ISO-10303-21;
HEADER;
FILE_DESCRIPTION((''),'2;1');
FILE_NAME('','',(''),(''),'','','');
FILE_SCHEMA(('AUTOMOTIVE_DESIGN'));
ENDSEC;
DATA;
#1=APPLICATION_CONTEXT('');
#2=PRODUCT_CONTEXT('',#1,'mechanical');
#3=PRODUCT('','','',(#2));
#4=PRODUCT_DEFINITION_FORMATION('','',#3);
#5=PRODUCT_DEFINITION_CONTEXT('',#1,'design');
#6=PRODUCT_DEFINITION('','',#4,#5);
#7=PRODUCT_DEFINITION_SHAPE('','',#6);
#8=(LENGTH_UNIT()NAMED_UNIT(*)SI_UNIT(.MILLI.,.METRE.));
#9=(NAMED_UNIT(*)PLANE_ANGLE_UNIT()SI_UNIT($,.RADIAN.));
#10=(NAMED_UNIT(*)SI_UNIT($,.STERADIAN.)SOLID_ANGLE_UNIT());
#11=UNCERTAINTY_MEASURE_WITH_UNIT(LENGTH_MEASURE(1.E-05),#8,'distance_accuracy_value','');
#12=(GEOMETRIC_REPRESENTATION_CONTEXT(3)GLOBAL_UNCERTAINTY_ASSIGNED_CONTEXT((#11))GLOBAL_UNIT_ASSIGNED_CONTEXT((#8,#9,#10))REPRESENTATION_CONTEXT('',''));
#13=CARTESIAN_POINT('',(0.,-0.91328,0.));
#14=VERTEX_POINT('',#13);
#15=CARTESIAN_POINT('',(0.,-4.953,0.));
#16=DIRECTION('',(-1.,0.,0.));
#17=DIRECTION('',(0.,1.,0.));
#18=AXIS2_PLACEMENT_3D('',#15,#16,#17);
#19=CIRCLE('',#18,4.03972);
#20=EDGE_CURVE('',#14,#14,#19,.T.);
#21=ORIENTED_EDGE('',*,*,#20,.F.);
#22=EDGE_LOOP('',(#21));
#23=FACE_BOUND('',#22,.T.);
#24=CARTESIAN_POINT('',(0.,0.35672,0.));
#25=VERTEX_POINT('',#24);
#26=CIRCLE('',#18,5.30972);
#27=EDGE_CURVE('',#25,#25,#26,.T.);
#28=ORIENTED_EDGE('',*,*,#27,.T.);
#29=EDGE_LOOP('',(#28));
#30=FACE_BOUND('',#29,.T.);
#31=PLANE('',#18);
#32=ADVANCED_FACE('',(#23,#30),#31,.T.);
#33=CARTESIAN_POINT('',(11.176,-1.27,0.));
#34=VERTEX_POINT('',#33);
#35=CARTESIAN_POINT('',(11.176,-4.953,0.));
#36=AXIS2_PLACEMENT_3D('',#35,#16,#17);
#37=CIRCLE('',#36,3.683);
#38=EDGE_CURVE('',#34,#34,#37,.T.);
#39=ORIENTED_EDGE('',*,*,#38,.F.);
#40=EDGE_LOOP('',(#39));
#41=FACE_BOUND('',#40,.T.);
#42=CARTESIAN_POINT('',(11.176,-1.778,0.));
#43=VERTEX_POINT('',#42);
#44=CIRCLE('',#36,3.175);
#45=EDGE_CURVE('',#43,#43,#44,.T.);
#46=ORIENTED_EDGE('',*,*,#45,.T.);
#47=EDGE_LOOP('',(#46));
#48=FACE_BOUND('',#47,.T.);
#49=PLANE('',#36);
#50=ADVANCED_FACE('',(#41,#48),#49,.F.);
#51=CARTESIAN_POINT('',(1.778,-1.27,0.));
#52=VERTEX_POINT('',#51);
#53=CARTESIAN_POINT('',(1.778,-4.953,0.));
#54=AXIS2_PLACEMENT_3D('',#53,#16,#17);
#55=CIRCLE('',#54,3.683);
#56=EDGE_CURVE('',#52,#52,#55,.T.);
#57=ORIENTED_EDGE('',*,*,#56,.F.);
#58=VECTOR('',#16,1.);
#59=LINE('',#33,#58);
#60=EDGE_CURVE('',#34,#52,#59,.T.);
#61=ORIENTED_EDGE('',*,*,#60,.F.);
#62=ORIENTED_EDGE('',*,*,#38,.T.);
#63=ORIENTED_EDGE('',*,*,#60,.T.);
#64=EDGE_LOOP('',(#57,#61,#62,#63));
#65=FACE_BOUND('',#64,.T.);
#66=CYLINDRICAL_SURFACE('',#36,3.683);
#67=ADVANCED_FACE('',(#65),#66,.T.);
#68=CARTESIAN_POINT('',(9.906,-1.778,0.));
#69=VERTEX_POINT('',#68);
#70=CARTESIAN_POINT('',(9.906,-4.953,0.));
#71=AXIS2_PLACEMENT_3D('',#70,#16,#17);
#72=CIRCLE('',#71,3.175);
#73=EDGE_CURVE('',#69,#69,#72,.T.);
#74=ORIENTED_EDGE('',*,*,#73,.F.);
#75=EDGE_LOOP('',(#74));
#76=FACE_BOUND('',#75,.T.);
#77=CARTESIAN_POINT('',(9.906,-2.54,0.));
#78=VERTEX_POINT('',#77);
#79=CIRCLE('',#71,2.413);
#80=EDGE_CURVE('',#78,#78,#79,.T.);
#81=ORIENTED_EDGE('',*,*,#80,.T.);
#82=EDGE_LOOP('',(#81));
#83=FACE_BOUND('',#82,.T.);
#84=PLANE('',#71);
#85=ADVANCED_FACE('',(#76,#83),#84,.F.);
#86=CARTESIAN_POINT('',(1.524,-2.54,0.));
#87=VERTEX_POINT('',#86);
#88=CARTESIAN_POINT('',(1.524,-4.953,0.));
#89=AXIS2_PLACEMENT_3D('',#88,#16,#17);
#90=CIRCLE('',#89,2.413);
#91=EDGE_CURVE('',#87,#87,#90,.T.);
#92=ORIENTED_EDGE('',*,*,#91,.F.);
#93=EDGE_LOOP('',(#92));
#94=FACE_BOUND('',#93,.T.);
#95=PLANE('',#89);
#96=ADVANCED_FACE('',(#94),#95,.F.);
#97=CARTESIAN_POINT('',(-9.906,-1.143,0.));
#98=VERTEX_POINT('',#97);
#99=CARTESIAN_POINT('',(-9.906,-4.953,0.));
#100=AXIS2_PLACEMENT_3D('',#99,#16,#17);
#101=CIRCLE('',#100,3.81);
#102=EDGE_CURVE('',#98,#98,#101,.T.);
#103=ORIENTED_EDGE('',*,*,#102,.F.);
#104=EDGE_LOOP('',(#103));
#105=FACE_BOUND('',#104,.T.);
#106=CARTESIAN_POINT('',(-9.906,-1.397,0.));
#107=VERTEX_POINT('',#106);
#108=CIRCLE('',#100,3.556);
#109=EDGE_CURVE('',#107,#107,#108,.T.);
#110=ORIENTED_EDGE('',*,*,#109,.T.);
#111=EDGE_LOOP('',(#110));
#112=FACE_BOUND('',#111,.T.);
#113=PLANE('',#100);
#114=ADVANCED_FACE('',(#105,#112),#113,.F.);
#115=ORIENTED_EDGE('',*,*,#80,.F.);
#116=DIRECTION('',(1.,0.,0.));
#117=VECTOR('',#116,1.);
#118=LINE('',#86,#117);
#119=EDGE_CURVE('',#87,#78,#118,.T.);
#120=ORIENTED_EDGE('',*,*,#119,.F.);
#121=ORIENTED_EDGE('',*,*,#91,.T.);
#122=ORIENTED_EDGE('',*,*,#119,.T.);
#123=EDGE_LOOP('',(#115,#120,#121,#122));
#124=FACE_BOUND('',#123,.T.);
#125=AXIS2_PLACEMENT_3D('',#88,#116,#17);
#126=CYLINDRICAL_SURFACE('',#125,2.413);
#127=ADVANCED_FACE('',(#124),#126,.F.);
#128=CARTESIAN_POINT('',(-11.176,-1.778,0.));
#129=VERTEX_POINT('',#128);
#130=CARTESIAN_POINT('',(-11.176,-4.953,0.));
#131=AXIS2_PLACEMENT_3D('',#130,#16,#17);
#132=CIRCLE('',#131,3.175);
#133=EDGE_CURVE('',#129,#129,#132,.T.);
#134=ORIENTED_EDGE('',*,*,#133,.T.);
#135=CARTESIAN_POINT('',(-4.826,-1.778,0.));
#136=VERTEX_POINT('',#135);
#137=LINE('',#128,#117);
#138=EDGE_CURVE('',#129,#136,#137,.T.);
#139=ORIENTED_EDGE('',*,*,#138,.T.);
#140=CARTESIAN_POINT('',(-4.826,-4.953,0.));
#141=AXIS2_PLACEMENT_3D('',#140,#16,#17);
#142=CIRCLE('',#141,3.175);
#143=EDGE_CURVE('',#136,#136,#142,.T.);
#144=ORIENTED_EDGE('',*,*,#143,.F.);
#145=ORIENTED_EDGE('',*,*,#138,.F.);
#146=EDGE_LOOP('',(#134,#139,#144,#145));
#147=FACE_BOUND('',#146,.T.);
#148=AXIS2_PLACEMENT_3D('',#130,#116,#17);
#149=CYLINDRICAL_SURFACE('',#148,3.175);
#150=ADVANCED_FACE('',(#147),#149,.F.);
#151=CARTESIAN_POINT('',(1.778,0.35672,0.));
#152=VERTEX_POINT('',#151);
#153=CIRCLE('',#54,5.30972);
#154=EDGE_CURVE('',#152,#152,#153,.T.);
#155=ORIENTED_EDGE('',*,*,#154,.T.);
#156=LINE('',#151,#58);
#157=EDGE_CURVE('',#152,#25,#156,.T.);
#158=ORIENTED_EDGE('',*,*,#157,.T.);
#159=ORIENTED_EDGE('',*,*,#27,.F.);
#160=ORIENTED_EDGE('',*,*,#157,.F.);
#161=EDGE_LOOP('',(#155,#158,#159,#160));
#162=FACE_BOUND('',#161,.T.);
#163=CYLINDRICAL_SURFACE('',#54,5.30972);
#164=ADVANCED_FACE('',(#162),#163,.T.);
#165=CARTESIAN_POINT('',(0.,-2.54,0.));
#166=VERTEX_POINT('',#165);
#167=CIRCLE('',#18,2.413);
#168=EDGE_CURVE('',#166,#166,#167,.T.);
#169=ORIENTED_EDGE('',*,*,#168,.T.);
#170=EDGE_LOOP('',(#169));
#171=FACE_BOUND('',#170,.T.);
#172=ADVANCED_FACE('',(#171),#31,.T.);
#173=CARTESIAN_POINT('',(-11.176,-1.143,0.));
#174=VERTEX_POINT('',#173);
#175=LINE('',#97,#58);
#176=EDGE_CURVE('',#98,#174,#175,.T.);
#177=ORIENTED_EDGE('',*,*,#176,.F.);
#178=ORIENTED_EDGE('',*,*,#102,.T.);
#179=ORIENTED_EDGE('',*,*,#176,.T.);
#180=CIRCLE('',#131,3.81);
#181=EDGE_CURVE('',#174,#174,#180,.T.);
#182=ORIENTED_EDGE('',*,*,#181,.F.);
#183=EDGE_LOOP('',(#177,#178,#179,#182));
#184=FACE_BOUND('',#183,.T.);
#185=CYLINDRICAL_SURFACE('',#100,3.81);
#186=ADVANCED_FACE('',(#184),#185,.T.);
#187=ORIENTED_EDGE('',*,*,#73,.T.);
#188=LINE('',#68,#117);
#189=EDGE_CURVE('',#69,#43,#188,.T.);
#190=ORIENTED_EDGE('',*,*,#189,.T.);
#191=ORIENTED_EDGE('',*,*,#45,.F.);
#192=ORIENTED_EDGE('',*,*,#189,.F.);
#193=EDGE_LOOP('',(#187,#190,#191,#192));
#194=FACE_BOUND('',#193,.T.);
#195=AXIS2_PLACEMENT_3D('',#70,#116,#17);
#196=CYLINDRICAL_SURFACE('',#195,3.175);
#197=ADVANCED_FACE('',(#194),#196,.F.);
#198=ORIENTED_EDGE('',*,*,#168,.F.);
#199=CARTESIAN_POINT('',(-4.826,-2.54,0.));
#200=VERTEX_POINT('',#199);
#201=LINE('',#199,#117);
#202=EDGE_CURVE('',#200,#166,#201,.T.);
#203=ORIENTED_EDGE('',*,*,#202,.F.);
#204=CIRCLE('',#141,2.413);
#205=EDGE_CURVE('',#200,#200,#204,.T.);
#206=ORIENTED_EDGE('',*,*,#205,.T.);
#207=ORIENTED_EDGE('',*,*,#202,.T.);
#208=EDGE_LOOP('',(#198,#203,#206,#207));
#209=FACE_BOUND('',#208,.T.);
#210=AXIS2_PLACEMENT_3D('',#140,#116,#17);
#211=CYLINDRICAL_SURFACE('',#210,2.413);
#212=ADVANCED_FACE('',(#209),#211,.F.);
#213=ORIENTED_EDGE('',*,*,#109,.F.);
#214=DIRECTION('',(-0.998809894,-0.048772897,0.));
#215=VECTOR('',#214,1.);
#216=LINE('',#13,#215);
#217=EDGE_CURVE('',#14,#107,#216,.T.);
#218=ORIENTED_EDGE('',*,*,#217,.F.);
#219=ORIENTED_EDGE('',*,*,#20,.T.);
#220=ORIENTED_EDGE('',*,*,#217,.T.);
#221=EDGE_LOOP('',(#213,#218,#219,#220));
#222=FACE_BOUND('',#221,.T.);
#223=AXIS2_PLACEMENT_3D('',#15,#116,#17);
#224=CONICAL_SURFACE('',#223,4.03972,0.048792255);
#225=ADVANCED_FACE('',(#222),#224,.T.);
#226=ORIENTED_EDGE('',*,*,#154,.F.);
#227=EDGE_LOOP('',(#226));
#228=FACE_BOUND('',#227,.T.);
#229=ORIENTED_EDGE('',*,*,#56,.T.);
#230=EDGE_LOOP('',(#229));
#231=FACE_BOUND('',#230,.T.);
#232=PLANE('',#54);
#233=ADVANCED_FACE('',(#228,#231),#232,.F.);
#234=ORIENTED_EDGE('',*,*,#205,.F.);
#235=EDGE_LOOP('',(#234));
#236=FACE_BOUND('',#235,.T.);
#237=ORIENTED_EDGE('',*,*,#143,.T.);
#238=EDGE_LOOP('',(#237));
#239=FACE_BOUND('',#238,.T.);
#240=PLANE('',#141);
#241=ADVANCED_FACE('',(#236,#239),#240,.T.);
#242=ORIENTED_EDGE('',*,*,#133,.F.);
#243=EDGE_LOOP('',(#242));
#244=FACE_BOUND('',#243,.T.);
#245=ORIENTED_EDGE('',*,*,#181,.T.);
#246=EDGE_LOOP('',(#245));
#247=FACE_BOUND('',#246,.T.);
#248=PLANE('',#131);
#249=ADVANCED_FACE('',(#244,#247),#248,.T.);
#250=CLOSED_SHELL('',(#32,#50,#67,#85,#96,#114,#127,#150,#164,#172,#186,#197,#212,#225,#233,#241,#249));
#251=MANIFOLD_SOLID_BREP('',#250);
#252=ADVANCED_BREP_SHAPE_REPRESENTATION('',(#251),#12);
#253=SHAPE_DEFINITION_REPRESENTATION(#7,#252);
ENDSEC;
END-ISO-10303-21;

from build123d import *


with BuildPart() as f1:
    # F0 (on Top) → F1 (revolve)
    with BuildSketch(Plane.XY):
        Polygon((11.176, -1.27), (1.778, -1.27), (1.778, 0), (1.778, 0.35672), (0, 0.35672), (0, -0.91328), (-9.906, -1.397), (-9.906, -1.143), (-11.176, -1.143), (-11.176, -1.778), (-4.826, -1.778), (-4.826, -2.54), (0, -2.54), (0, -4.953), (1.524, -4.953), (1.524, -2.54), (9.906, -2.54), (9.906, -1.778), (11.176, -1.778), align=None)
    revolve(axis=Axis((0.762, -4.953, 0), (-1, 0, 0)))


solid = f1.part
